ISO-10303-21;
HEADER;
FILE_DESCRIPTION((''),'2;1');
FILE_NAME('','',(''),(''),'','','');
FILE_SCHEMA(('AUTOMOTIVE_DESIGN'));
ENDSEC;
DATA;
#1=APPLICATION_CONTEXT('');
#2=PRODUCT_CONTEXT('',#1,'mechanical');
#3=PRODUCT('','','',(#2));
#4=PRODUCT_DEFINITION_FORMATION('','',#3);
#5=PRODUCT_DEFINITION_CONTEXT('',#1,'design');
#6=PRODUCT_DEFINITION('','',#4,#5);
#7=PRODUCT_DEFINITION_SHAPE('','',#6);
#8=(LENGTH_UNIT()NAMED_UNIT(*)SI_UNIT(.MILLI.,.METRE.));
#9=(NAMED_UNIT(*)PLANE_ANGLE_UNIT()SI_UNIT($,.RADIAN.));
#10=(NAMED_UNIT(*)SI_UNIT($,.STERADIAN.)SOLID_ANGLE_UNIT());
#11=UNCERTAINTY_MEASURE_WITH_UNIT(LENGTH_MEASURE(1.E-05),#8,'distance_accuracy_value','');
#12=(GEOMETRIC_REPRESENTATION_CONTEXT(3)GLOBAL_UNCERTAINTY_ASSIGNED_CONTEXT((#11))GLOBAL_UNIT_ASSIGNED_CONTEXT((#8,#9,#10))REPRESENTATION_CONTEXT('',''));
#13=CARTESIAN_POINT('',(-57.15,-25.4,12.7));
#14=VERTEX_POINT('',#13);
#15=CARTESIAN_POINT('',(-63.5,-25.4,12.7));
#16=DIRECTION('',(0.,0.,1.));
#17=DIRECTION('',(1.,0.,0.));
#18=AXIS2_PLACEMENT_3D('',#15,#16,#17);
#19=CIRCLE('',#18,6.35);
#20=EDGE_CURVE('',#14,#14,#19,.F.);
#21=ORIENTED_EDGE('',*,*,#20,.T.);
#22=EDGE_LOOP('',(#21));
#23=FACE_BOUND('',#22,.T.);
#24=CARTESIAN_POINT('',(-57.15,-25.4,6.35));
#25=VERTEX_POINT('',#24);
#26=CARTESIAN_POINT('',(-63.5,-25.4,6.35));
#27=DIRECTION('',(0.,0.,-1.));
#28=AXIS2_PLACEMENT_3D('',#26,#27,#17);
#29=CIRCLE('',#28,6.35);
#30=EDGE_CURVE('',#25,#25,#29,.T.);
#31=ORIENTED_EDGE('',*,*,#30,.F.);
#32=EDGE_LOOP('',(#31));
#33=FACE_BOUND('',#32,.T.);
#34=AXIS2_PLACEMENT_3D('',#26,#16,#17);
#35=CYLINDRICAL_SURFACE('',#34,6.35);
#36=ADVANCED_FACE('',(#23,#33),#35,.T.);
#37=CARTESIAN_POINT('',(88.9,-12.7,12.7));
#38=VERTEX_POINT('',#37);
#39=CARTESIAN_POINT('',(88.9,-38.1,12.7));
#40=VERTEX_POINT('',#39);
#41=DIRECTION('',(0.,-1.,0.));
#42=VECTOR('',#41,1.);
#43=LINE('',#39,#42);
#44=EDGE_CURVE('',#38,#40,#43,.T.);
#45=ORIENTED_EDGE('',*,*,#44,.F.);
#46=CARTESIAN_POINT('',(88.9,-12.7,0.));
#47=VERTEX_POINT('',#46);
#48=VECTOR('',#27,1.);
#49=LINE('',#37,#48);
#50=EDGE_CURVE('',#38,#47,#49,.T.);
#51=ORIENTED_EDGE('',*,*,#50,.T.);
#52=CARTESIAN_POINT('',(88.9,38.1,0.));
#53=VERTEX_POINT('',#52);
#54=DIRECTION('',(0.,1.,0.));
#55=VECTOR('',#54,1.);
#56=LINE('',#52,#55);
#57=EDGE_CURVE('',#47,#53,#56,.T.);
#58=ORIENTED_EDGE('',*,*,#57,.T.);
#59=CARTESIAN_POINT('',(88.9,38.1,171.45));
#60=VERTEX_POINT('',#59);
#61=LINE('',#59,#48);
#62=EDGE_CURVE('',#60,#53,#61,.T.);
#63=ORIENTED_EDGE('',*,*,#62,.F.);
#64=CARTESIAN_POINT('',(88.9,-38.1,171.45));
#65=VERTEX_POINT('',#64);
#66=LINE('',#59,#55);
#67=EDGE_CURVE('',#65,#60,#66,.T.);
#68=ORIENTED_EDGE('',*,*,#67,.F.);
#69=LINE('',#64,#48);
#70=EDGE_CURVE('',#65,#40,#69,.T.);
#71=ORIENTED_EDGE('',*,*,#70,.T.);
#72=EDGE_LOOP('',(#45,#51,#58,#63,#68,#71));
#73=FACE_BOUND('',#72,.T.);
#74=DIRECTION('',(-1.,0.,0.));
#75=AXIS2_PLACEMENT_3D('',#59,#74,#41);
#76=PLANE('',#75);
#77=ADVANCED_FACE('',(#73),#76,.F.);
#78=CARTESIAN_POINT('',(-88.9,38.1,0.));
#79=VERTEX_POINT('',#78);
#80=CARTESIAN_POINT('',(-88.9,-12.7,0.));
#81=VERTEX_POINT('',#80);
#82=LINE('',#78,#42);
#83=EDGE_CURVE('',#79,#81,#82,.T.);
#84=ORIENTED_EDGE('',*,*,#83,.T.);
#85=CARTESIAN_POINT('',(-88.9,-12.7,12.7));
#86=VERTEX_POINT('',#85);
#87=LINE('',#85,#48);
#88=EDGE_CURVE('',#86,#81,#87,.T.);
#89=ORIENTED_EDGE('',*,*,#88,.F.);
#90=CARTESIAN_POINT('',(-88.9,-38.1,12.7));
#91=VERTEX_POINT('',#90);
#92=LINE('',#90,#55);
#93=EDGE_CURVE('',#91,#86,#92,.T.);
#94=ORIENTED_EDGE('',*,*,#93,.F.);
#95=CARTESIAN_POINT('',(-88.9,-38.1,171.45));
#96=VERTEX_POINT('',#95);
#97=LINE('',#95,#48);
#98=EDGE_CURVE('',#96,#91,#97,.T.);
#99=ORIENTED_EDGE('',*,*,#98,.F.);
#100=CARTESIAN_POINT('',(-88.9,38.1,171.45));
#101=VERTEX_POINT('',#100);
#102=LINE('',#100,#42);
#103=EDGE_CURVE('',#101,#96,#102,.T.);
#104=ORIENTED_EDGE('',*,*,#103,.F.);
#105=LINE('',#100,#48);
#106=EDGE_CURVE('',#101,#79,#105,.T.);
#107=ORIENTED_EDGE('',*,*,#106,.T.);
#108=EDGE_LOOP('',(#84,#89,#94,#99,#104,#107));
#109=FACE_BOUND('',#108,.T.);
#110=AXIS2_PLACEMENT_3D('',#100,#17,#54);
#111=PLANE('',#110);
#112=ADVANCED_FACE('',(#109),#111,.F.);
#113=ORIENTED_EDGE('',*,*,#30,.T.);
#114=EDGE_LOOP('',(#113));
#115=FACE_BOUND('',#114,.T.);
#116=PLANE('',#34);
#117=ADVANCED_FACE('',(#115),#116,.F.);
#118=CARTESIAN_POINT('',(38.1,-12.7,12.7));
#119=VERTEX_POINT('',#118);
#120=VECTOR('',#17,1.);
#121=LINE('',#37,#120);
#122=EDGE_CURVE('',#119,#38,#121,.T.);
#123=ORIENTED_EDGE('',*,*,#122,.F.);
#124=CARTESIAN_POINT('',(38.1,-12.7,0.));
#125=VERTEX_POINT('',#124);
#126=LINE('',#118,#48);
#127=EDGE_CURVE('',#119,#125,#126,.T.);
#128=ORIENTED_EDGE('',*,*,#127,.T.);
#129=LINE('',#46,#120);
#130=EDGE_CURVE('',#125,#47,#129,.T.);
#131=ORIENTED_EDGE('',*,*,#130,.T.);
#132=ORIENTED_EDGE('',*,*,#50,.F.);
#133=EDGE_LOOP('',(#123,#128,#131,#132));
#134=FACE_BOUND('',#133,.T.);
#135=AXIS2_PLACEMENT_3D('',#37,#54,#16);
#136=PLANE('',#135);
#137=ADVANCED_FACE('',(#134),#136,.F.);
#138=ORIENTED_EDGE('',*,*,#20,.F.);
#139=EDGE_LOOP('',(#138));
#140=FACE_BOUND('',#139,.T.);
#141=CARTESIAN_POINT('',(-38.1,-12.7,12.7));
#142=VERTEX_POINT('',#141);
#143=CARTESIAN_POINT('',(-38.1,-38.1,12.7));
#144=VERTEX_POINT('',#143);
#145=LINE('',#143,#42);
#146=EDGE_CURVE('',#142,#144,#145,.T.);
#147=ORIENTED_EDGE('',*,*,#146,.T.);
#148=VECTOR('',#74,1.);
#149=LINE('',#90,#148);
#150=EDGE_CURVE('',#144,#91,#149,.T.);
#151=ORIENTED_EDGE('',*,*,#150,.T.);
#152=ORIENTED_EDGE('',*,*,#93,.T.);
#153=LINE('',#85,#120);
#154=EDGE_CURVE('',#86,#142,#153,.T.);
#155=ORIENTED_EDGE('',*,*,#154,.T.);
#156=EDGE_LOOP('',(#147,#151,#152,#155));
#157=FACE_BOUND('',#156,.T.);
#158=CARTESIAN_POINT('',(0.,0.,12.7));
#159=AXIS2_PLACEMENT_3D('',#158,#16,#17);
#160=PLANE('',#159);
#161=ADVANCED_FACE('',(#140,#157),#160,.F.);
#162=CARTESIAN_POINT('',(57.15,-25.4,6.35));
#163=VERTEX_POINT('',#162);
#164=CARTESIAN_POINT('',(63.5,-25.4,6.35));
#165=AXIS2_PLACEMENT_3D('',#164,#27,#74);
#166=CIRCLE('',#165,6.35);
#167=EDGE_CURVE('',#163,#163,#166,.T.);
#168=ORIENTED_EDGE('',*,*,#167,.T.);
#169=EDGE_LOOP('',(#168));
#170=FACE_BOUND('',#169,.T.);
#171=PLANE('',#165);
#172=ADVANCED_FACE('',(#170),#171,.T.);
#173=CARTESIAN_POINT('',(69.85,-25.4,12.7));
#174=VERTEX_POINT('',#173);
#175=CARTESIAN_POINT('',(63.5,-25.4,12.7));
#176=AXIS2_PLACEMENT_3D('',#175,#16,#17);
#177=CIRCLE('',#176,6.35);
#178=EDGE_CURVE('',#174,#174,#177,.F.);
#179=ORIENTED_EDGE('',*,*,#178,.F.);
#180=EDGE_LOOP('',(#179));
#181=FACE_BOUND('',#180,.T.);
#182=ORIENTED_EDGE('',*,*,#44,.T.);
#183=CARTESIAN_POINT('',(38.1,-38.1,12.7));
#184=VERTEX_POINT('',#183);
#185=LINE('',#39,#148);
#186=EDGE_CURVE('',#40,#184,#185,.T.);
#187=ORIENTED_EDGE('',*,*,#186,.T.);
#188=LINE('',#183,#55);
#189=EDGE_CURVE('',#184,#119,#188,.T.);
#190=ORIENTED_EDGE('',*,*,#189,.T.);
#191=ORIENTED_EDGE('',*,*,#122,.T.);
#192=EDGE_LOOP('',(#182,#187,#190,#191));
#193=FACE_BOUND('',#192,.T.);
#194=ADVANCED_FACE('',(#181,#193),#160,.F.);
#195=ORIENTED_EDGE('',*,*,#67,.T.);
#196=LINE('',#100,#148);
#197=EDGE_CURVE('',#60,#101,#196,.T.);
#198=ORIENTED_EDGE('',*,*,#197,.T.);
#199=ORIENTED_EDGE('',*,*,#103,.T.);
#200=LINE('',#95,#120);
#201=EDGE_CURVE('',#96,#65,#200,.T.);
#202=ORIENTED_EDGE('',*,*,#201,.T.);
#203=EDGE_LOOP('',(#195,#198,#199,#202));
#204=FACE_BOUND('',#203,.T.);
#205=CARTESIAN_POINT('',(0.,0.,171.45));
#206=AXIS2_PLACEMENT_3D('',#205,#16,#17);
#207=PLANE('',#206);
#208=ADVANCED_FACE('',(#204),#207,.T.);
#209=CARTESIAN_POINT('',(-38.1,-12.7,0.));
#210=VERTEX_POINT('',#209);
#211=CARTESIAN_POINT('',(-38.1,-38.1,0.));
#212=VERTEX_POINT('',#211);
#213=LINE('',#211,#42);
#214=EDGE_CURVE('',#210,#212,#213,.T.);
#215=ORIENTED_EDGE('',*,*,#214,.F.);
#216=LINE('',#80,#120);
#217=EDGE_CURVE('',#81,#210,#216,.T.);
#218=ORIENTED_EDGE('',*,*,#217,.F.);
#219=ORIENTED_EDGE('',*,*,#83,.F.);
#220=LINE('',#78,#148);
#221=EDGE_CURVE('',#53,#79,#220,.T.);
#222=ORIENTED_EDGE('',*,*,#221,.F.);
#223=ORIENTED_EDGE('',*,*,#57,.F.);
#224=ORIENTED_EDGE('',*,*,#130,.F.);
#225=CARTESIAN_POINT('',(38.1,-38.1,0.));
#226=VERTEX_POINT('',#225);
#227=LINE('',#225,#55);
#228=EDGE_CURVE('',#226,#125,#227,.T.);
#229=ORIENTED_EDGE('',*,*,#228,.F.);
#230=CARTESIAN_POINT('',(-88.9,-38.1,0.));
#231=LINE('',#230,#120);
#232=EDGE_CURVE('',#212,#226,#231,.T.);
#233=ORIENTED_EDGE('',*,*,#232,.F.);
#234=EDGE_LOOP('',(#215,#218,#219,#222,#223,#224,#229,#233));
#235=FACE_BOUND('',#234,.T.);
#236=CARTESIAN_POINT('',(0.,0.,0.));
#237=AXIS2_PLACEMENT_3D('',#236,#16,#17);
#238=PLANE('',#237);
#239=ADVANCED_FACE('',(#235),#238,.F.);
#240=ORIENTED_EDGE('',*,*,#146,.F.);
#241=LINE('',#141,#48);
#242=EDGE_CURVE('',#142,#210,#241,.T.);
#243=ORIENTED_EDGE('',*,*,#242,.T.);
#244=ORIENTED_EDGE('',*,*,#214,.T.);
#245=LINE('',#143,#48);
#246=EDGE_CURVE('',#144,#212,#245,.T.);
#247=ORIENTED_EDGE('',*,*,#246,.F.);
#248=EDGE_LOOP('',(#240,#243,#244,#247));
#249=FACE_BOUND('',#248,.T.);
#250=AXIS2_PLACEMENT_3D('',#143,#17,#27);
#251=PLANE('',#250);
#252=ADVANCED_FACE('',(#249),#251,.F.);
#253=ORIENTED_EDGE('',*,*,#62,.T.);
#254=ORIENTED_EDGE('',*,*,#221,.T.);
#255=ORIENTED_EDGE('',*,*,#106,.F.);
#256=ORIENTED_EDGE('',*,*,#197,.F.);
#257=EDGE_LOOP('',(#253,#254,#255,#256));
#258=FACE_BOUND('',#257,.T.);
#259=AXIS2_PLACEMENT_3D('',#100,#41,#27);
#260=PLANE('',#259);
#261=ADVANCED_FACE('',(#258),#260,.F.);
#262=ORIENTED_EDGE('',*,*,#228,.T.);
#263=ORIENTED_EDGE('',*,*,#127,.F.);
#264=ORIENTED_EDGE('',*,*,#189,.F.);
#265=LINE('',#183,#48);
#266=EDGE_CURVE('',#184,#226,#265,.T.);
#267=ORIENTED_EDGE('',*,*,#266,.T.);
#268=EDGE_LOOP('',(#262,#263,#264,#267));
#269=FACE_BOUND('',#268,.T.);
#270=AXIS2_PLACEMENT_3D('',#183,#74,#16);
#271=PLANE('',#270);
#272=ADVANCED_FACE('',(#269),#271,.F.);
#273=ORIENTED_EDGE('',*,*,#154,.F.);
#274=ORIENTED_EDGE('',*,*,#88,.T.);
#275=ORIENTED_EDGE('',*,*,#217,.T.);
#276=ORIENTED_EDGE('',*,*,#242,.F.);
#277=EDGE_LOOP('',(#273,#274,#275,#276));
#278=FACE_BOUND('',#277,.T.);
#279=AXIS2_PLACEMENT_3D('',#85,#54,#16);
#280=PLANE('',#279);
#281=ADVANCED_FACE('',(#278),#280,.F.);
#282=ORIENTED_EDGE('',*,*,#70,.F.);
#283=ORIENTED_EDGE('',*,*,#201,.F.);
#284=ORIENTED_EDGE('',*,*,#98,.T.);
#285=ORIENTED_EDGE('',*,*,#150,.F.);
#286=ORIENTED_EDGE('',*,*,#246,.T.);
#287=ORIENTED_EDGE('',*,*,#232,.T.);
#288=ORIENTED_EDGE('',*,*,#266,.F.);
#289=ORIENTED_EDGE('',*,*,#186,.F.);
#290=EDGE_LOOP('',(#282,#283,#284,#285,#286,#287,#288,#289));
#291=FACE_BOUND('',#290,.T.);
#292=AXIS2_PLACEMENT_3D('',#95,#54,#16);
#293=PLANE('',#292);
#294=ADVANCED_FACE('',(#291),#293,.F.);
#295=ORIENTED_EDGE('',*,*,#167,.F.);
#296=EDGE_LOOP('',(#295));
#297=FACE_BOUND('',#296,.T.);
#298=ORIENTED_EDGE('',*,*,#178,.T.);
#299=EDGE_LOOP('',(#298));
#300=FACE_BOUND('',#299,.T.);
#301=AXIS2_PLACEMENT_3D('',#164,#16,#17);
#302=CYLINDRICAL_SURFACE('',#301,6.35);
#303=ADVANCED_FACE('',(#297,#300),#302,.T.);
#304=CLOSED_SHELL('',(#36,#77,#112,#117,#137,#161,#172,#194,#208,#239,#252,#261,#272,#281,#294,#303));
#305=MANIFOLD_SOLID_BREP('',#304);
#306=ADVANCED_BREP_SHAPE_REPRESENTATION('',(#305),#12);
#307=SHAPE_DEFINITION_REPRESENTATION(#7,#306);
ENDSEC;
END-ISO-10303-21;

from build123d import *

# Parameters (mm, degrees)
SKETCH1_W           = 177.8
SKETCH1_H           = 76.2
BOSS_EXTRUDE1_DEPTH = 171.45
SKETCH2_W           = 50.8
SKETCH2_H           = 25.4
CUT_EXTRUDE1_DEPTH  = 12.7
SKETCH3_R           = 6.35
BOSS_EXTRUDE2_DEPTH = 6.35


with BuildPart() as part:
    # Sketch1 → Boss-Extrude1 (new body)
    with BuildSketch(Plane.XY):
        Rectangle(SKETCH1_W, SKETCH1_H)
    extrude(amount=BOSS_EXTRUDE1_DEPTH)

    # Sketch2 → Cut-Extrude1 (cut)
    with BuildSketch(Plane(origin=(0, 0, 0), x_dir=(-1, 0, 0), z_dir=(0, 0, -1))):
        with Locations((-63.5, -25.4)):
            Rectangle(SKETCH2_W, SKETCH2_H)
        with Locations((63.5, -25.4)):
            Rectangle(SKETCH2_W, SKETCH2_H)
    extrude(amount=-CUT_EXTRUDE1_DEPTH, mode=Mode.SUBTRACT)

    # Sketch3 → Boss-Extrude2 (add)
    with BuildSketch(Plane(origin=(0, 0, 12.7), x_dir=(-1, 0, 0), z_dir=(0, 0, -1))):
        with Locations(Location((-63.5, -25.4, 0), (0, 0, 180))):
            Circle(SKETCH3_R)
        with Locations(Location((63.5, -25.4, 0), (0, 0, 180))):
            Circle(SKETCH3_R)
    extrude(amount=BOSS_EXTRUDE2_DEPTH)


solid = part.part
